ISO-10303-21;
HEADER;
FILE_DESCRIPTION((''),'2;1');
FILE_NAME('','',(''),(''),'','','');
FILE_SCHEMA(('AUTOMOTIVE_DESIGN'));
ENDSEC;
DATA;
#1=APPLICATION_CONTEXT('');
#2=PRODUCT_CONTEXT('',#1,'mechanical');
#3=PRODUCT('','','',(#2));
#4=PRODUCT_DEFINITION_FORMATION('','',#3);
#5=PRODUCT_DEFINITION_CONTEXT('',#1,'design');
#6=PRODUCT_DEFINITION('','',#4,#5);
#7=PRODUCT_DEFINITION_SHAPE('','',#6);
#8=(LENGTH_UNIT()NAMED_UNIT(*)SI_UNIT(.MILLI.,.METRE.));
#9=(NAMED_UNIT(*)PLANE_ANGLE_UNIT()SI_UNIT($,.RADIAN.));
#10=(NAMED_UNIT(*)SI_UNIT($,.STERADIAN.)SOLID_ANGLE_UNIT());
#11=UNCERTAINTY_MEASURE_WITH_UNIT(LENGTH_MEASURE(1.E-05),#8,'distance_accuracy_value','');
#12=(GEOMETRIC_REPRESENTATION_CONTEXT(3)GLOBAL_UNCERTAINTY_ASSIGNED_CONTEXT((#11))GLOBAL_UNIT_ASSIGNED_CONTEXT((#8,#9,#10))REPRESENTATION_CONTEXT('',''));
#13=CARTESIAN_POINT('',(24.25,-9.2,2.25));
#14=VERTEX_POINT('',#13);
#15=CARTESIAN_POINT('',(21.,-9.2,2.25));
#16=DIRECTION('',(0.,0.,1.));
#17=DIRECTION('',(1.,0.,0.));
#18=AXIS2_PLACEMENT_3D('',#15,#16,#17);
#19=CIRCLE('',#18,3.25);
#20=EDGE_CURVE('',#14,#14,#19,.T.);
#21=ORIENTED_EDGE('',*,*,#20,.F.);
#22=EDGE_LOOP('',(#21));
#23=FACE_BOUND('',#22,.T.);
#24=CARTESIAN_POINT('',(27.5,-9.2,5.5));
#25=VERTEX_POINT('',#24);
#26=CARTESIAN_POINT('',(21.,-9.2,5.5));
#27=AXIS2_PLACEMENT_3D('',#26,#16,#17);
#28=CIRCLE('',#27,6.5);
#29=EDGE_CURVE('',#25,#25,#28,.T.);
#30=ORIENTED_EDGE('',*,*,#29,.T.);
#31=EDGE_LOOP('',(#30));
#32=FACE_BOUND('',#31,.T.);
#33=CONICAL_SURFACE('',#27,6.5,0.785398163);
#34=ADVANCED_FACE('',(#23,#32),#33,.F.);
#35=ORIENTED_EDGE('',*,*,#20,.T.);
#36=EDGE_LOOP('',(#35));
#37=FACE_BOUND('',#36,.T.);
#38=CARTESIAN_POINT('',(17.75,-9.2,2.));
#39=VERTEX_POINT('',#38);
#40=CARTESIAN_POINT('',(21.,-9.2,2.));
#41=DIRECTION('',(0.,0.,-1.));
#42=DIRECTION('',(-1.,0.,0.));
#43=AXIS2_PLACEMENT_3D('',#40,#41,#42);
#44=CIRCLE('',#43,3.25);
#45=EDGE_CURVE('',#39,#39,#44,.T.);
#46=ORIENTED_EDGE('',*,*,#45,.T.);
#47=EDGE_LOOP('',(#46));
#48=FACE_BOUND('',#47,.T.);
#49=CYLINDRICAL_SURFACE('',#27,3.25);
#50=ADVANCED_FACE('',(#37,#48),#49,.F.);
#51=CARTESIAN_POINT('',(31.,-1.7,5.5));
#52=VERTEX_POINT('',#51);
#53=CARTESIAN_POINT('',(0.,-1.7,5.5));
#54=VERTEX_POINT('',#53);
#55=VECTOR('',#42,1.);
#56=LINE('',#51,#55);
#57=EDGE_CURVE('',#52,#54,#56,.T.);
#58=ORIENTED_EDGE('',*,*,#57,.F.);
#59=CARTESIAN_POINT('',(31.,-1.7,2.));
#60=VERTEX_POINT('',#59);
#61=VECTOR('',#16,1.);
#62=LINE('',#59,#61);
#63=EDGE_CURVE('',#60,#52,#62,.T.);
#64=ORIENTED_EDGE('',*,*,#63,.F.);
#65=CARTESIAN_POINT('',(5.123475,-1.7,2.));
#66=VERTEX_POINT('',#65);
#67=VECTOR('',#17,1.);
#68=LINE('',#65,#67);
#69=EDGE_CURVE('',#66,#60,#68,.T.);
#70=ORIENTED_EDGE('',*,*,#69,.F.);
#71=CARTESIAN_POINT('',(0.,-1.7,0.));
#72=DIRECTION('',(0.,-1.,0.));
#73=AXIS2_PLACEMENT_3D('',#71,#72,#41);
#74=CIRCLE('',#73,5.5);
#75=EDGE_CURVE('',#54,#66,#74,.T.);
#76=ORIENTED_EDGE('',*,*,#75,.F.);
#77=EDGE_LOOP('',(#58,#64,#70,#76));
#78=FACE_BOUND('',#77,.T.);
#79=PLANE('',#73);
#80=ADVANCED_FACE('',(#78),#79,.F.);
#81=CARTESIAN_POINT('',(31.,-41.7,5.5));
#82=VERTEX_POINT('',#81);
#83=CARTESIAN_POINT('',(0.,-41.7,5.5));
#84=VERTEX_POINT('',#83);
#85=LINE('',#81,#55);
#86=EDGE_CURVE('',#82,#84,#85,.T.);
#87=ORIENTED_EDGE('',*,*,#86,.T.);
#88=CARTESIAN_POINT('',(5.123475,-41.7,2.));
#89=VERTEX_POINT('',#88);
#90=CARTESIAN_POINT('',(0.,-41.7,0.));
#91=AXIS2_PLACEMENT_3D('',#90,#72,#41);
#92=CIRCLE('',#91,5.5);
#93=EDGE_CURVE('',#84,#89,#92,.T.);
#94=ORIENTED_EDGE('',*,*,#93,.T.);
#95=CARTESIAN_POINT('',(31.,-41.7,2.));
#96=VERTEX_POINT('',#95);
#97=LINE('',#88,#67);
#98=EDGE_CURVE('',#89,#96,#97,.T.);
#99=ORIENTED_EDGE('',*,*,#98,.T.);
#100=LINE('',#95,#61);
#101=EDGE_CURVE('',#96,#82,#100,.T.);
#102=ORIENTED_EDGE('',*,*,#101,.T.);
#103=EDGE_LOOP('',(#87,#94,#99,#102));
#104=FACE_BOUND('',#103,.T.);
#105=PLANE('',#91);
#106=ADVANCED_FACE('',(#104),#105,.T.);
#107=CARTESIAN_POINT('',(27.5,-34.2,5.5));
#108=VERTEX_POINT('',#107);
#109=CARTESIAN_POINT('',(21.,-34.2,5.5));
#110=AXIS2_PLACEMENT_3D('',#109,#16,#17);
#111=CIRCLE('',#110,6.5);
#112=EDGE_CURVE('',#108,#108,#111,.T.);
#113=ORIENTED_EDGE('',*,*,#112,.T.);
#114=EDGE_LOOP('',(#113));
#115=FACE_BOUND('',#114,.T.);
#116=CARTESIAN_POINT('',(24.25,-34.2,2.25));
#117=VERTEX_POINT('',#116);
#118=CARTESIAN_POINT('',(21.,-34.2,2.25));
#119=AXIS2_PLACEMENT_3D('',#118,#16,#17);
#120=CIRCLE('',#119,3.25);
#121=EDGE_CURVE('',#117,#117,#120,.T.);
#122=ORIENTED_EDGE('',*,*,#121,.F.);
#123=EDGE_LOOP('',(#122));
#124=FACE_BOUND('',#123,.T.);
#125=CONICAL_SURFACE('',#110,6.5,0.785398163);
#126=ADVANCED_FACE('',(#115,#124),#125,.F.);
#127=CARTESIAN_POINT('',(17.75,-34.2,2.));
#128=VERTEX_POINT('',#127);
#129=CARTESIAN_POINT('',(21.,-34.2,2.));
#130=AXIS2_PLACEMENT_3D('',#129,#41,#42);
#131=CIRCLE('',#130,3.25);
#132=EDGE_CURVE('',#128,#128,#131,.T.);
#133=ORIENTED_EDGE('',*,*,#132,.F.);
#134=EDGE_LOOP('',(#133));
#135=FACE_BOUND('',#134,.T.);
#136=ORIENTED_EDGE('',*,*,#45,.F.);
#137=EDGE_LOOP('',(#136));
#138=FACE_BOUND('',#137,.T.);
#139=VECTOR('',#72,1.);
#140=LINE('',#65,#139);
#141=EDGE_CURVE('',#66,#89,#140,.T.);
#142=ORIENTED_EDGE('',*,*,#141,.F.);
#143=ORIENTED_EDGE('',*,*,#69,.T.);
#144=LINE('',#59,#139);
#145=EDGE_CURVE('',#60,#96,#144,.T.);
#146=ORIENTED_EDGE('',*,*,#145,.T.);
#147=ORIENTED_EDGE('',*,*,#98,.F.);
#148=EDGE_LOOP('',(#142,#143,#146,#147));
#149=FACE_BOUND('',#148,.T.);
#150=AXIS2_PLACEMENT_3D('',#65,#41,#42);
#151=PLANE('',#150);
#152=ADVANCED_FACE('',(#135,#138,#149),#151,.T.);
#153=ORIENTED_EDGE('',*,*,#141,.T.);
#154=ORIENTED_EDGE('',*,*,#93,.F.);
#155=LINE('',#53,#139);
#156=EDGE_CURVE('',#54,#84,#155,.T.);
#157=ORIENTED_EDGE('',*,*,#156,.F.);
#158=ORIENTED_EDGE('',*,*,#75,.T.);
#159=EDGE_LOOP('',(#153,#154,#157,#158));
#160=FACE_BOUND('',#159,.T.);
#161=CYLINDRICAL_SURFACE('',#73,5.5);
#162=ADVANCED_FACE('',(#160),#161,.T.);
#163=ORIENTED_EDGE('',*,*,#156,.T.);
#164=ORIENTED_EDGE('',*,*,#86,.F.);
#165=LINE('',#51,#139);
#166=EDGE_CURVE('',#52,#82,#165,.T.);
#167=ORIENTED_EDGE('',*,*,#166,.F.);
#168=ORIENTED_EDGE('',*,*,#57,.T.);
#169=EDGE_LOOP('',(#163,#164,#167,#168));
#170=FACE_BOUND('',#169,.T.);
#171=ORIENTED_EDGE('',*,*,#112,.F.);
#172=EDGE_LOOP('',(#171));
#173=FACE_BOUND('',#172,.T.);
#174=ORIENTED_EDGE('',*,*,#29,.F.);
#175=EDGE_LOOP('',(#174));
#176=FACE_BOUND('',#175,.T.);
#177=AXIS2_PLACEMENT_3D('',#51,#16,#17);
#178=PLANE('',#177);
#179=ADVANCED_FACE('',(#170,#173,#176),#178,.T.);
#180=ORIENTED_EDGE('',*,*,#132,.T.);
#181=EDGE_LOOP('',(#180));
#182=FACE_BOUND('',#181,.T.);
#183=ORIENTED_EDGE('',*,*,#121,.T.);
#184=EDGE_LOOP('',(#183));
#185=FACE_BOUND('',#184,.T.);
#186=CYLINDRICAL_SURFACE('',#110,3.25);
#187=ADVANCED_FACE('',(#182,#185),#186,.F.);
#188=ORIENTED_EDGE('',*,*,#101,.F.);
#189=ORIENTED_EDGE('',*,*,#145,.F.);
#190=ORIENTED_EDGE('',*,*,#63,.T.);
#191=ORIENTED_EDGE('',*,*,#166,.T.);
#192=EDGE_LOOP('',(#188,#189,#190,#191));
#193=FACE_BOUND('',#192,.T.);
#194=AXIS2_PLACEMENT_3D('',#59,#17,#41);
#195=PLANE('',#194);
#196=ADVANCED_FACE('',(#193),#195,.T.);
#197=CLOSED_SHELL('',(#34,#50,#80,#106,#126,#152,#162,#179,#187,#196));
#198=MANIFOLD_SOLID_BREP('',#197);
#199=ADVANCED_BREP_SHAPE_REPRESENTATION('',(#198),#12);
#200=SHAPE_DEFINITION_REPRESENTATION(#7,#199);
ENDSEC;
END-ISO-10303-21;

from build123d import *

# Parameters (mm, degrees)
EXTRUDE1_DEPTH       = 40
HOLEWZD1_D           = 6.5
HOLEWZD1_DEPTH       = 11
HOLEWZD1_CSINK_D     = 13
HOLEWZD1_CSINK_ANGLE = 90


with BuildPart() as part:
    # Sketch1 → Extrude1 (new body)
    with BuildSketch(Plane.XZ.offset(41.7)):
        with BuildLine():
            Line((31, 5.5), (0, 5.5))
            ThreePointArc((0, 5.5), (-3.102418411, -4.541475531), (5.123475383, 2))
            Line((5.123475383, 2), (31, 2))
            Line((31, 2), (31, 5.5))
        make_face()
    extrude(amount=-EXTRUDE1_DEPTH)

    # HoleWzd1
    with Locations(Plane.XY.offset(5.5)):
        with Locations((21, -34.2), (21, -9.2)):
            CounterSinkHole(HOLEWZD1_D / 2, HOLEWZD1_CSINK_D / 2, depth=HOLEWZD1_DEPTH, counter_sink_angle=HOLEWZD1_CSINK_ANGLE)


solid = part.part
